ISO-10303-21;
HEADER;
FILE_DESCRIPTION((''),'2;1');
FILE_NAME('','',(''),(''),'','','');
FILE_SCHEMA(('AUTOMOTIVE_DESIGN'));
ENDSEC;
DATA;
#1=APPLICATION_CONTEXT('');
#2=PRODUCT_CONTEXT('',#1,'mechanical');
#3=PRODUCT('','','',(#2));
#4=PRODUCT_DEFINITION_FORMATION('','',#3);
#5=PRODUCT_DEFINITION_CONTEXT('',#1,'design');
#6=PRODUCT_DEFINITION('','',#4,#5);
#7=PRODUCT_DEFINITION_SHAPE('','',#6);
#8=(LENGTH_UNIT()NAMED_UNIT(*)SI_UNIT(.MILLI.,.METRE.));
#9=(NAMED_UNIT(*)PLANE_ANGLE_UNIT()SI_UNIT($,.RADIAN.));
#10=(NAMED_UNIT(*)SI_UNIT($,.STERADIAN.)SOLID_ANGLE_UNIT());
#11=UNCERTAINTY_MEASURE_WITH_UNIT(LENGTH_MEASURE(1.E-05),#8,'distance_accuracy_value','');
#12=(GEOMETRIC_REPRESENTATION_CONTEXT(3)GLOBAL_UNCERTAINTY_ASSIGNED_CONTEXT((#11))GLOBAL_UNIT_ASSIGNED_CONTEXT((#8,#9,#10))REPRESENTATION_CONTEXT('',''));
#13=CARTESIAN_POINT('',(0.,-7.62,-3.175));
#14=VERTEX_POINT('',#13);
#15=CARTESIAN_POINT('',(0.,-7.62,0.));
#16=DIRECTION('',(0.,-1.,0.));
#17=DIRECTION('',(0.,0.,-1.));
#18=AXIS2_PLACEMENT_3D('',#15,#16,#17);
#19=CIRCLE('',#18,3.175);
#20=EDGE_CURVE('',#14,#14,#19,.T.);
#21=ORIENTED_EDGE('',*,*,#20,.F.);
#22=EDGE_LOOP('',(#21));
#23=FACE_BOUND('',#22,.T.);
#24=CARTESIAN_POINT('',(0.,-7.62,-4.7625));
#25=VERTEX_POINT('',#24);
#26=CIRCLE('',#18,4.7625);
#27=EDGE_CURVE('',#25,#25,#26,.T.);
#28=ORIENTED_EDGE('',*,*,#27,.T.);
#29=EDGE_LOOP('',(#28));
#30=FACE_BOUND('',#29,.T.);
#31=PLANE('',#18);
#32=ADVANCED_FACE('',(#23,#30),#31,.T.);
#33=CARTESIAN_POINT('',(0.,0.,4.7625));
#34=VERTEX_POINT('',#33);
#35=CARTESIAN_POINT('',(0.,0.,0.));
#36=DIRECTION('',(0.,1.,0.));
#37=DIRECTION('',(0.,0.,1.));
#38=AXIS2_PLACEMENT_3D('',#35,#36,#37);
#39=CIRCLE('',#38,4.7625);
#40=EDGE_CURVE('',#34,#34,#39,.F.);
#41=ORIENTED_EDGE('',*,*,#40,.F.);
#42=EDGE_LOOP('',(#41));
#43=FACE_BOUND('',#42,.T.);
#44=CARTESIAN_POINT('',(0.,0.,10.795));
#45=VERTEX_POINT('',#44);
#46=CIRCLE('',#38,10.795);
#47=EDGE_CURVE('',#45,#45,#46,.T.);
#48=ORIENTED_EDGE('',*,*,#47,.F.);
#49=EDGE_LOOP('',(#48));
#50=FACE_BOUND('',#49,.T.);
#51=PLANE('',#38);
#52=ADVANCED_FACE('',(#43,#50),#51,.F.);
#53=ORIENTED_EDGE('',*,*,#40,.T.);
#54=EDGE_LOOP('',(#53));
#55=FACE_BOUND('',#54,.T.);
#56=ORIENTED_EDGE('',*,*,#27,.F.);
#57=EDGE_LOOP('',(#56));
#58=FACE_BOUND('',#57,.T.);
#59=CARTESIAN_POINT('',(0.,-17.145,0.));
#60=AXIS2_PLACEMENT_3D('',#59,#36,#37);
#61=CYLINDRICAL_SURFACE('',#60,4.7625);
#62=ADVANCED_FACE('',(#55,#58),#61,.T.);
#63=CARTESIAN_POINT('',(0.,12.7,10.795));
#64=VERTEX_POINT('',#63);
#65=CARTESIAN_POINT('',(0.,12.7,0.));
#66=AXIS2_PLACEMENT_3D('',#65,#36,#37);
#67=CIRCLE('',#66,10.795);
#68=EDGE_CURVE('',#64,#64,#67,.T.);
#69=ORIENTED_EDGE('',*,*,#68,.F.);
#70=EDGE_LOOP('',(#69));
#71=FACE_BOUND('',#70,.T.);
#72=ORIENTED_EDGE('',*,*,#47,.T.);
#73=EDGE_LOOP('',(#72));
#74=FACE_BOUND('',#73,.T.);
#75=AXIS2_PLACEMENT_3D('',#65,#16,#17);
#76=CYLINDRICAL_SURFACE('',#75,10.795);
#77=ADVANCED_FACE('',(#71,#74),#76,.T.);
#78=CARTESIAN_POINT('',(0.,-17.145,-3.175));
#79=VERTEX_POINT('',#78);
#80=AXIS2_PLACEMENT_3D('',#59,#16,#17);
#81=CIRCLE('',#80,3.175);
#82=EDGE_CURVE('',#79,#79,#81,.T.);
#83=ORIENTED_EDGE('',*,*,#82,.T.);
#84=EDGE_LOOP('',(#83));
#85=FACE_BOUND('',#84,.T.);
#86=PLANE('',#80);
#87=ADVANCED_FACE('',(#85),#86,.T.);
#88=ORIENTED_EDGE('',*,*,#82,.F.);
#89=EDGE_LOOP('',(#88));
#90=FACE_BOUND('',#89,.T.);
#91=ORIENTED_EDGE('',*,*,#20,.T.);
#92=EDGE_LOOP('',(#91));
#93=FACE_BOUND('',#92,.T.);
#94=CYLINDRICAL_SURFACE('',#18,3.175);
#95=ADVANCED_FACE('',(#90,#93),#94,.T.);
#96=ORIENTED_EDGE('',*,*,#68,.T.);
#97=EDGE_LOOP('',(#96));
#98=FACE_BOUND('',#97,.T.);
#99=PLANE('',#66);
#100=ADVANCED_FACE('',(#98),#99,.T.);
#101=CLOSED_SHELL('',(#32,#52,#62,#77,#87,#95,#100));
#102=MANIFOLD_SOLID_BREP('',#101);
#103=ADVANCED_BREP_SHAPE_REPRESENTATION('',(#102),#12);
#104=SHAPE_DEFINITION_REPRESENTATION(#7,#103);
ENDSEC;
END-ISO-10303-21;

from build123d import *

# Parameters (mm, degrees)
SKETCH1_R           = 10.795
BOSS_EXTRUDE1_DEPTH = 12.7
SKETCH2_R           = 4.7625
BOSS_EXTRUDE2_DEPTH = 17.145
SKETCH3_OUTSIDE_W   = 32.13
SKETCH3_OUTSIDE_H   = 32.13
SKETCH3_OUTSIDE_R   = 3.175
CUT_EXTRUDE1_DEPTH  = 9.525


with BuildPart() as part:
    # Sketch1 → Boss-Extrude1 (new body)
    with BuildSketch(Plane(origin=(0, 0, 0), x_dir=(1, 0, 0), z_dir=(0, 1, 0))):
        Circle(SKETCH1_R)
    extrude(amount=BOSS_EXTRUDE1_DEPTH)

    # Sketch2 → Boss-Extrude2 (add)
    with BuildSketch(Plane.XZ):
        Circle(SKETCH2_R)
    extrude(amount=BOSS_EXTRUDE2_DEPTH)

    # Sketch3 outside → Cut-Extrude1 (cut)
    with BuildSketch(Plane.XZ.offset(17.145)):
        Rectangle(SKETCH3_OUTSIDE_W, SKETCH3_OUTSIDE_H)
        Circle(SKETCH3_OUTSIDE_R, mode=Mode.SUBTRACT)
    extrude(amount=-CUT_EXTRUDE1_DEPTH, mode=Mode.SUBTRACT)


solid = part.part
